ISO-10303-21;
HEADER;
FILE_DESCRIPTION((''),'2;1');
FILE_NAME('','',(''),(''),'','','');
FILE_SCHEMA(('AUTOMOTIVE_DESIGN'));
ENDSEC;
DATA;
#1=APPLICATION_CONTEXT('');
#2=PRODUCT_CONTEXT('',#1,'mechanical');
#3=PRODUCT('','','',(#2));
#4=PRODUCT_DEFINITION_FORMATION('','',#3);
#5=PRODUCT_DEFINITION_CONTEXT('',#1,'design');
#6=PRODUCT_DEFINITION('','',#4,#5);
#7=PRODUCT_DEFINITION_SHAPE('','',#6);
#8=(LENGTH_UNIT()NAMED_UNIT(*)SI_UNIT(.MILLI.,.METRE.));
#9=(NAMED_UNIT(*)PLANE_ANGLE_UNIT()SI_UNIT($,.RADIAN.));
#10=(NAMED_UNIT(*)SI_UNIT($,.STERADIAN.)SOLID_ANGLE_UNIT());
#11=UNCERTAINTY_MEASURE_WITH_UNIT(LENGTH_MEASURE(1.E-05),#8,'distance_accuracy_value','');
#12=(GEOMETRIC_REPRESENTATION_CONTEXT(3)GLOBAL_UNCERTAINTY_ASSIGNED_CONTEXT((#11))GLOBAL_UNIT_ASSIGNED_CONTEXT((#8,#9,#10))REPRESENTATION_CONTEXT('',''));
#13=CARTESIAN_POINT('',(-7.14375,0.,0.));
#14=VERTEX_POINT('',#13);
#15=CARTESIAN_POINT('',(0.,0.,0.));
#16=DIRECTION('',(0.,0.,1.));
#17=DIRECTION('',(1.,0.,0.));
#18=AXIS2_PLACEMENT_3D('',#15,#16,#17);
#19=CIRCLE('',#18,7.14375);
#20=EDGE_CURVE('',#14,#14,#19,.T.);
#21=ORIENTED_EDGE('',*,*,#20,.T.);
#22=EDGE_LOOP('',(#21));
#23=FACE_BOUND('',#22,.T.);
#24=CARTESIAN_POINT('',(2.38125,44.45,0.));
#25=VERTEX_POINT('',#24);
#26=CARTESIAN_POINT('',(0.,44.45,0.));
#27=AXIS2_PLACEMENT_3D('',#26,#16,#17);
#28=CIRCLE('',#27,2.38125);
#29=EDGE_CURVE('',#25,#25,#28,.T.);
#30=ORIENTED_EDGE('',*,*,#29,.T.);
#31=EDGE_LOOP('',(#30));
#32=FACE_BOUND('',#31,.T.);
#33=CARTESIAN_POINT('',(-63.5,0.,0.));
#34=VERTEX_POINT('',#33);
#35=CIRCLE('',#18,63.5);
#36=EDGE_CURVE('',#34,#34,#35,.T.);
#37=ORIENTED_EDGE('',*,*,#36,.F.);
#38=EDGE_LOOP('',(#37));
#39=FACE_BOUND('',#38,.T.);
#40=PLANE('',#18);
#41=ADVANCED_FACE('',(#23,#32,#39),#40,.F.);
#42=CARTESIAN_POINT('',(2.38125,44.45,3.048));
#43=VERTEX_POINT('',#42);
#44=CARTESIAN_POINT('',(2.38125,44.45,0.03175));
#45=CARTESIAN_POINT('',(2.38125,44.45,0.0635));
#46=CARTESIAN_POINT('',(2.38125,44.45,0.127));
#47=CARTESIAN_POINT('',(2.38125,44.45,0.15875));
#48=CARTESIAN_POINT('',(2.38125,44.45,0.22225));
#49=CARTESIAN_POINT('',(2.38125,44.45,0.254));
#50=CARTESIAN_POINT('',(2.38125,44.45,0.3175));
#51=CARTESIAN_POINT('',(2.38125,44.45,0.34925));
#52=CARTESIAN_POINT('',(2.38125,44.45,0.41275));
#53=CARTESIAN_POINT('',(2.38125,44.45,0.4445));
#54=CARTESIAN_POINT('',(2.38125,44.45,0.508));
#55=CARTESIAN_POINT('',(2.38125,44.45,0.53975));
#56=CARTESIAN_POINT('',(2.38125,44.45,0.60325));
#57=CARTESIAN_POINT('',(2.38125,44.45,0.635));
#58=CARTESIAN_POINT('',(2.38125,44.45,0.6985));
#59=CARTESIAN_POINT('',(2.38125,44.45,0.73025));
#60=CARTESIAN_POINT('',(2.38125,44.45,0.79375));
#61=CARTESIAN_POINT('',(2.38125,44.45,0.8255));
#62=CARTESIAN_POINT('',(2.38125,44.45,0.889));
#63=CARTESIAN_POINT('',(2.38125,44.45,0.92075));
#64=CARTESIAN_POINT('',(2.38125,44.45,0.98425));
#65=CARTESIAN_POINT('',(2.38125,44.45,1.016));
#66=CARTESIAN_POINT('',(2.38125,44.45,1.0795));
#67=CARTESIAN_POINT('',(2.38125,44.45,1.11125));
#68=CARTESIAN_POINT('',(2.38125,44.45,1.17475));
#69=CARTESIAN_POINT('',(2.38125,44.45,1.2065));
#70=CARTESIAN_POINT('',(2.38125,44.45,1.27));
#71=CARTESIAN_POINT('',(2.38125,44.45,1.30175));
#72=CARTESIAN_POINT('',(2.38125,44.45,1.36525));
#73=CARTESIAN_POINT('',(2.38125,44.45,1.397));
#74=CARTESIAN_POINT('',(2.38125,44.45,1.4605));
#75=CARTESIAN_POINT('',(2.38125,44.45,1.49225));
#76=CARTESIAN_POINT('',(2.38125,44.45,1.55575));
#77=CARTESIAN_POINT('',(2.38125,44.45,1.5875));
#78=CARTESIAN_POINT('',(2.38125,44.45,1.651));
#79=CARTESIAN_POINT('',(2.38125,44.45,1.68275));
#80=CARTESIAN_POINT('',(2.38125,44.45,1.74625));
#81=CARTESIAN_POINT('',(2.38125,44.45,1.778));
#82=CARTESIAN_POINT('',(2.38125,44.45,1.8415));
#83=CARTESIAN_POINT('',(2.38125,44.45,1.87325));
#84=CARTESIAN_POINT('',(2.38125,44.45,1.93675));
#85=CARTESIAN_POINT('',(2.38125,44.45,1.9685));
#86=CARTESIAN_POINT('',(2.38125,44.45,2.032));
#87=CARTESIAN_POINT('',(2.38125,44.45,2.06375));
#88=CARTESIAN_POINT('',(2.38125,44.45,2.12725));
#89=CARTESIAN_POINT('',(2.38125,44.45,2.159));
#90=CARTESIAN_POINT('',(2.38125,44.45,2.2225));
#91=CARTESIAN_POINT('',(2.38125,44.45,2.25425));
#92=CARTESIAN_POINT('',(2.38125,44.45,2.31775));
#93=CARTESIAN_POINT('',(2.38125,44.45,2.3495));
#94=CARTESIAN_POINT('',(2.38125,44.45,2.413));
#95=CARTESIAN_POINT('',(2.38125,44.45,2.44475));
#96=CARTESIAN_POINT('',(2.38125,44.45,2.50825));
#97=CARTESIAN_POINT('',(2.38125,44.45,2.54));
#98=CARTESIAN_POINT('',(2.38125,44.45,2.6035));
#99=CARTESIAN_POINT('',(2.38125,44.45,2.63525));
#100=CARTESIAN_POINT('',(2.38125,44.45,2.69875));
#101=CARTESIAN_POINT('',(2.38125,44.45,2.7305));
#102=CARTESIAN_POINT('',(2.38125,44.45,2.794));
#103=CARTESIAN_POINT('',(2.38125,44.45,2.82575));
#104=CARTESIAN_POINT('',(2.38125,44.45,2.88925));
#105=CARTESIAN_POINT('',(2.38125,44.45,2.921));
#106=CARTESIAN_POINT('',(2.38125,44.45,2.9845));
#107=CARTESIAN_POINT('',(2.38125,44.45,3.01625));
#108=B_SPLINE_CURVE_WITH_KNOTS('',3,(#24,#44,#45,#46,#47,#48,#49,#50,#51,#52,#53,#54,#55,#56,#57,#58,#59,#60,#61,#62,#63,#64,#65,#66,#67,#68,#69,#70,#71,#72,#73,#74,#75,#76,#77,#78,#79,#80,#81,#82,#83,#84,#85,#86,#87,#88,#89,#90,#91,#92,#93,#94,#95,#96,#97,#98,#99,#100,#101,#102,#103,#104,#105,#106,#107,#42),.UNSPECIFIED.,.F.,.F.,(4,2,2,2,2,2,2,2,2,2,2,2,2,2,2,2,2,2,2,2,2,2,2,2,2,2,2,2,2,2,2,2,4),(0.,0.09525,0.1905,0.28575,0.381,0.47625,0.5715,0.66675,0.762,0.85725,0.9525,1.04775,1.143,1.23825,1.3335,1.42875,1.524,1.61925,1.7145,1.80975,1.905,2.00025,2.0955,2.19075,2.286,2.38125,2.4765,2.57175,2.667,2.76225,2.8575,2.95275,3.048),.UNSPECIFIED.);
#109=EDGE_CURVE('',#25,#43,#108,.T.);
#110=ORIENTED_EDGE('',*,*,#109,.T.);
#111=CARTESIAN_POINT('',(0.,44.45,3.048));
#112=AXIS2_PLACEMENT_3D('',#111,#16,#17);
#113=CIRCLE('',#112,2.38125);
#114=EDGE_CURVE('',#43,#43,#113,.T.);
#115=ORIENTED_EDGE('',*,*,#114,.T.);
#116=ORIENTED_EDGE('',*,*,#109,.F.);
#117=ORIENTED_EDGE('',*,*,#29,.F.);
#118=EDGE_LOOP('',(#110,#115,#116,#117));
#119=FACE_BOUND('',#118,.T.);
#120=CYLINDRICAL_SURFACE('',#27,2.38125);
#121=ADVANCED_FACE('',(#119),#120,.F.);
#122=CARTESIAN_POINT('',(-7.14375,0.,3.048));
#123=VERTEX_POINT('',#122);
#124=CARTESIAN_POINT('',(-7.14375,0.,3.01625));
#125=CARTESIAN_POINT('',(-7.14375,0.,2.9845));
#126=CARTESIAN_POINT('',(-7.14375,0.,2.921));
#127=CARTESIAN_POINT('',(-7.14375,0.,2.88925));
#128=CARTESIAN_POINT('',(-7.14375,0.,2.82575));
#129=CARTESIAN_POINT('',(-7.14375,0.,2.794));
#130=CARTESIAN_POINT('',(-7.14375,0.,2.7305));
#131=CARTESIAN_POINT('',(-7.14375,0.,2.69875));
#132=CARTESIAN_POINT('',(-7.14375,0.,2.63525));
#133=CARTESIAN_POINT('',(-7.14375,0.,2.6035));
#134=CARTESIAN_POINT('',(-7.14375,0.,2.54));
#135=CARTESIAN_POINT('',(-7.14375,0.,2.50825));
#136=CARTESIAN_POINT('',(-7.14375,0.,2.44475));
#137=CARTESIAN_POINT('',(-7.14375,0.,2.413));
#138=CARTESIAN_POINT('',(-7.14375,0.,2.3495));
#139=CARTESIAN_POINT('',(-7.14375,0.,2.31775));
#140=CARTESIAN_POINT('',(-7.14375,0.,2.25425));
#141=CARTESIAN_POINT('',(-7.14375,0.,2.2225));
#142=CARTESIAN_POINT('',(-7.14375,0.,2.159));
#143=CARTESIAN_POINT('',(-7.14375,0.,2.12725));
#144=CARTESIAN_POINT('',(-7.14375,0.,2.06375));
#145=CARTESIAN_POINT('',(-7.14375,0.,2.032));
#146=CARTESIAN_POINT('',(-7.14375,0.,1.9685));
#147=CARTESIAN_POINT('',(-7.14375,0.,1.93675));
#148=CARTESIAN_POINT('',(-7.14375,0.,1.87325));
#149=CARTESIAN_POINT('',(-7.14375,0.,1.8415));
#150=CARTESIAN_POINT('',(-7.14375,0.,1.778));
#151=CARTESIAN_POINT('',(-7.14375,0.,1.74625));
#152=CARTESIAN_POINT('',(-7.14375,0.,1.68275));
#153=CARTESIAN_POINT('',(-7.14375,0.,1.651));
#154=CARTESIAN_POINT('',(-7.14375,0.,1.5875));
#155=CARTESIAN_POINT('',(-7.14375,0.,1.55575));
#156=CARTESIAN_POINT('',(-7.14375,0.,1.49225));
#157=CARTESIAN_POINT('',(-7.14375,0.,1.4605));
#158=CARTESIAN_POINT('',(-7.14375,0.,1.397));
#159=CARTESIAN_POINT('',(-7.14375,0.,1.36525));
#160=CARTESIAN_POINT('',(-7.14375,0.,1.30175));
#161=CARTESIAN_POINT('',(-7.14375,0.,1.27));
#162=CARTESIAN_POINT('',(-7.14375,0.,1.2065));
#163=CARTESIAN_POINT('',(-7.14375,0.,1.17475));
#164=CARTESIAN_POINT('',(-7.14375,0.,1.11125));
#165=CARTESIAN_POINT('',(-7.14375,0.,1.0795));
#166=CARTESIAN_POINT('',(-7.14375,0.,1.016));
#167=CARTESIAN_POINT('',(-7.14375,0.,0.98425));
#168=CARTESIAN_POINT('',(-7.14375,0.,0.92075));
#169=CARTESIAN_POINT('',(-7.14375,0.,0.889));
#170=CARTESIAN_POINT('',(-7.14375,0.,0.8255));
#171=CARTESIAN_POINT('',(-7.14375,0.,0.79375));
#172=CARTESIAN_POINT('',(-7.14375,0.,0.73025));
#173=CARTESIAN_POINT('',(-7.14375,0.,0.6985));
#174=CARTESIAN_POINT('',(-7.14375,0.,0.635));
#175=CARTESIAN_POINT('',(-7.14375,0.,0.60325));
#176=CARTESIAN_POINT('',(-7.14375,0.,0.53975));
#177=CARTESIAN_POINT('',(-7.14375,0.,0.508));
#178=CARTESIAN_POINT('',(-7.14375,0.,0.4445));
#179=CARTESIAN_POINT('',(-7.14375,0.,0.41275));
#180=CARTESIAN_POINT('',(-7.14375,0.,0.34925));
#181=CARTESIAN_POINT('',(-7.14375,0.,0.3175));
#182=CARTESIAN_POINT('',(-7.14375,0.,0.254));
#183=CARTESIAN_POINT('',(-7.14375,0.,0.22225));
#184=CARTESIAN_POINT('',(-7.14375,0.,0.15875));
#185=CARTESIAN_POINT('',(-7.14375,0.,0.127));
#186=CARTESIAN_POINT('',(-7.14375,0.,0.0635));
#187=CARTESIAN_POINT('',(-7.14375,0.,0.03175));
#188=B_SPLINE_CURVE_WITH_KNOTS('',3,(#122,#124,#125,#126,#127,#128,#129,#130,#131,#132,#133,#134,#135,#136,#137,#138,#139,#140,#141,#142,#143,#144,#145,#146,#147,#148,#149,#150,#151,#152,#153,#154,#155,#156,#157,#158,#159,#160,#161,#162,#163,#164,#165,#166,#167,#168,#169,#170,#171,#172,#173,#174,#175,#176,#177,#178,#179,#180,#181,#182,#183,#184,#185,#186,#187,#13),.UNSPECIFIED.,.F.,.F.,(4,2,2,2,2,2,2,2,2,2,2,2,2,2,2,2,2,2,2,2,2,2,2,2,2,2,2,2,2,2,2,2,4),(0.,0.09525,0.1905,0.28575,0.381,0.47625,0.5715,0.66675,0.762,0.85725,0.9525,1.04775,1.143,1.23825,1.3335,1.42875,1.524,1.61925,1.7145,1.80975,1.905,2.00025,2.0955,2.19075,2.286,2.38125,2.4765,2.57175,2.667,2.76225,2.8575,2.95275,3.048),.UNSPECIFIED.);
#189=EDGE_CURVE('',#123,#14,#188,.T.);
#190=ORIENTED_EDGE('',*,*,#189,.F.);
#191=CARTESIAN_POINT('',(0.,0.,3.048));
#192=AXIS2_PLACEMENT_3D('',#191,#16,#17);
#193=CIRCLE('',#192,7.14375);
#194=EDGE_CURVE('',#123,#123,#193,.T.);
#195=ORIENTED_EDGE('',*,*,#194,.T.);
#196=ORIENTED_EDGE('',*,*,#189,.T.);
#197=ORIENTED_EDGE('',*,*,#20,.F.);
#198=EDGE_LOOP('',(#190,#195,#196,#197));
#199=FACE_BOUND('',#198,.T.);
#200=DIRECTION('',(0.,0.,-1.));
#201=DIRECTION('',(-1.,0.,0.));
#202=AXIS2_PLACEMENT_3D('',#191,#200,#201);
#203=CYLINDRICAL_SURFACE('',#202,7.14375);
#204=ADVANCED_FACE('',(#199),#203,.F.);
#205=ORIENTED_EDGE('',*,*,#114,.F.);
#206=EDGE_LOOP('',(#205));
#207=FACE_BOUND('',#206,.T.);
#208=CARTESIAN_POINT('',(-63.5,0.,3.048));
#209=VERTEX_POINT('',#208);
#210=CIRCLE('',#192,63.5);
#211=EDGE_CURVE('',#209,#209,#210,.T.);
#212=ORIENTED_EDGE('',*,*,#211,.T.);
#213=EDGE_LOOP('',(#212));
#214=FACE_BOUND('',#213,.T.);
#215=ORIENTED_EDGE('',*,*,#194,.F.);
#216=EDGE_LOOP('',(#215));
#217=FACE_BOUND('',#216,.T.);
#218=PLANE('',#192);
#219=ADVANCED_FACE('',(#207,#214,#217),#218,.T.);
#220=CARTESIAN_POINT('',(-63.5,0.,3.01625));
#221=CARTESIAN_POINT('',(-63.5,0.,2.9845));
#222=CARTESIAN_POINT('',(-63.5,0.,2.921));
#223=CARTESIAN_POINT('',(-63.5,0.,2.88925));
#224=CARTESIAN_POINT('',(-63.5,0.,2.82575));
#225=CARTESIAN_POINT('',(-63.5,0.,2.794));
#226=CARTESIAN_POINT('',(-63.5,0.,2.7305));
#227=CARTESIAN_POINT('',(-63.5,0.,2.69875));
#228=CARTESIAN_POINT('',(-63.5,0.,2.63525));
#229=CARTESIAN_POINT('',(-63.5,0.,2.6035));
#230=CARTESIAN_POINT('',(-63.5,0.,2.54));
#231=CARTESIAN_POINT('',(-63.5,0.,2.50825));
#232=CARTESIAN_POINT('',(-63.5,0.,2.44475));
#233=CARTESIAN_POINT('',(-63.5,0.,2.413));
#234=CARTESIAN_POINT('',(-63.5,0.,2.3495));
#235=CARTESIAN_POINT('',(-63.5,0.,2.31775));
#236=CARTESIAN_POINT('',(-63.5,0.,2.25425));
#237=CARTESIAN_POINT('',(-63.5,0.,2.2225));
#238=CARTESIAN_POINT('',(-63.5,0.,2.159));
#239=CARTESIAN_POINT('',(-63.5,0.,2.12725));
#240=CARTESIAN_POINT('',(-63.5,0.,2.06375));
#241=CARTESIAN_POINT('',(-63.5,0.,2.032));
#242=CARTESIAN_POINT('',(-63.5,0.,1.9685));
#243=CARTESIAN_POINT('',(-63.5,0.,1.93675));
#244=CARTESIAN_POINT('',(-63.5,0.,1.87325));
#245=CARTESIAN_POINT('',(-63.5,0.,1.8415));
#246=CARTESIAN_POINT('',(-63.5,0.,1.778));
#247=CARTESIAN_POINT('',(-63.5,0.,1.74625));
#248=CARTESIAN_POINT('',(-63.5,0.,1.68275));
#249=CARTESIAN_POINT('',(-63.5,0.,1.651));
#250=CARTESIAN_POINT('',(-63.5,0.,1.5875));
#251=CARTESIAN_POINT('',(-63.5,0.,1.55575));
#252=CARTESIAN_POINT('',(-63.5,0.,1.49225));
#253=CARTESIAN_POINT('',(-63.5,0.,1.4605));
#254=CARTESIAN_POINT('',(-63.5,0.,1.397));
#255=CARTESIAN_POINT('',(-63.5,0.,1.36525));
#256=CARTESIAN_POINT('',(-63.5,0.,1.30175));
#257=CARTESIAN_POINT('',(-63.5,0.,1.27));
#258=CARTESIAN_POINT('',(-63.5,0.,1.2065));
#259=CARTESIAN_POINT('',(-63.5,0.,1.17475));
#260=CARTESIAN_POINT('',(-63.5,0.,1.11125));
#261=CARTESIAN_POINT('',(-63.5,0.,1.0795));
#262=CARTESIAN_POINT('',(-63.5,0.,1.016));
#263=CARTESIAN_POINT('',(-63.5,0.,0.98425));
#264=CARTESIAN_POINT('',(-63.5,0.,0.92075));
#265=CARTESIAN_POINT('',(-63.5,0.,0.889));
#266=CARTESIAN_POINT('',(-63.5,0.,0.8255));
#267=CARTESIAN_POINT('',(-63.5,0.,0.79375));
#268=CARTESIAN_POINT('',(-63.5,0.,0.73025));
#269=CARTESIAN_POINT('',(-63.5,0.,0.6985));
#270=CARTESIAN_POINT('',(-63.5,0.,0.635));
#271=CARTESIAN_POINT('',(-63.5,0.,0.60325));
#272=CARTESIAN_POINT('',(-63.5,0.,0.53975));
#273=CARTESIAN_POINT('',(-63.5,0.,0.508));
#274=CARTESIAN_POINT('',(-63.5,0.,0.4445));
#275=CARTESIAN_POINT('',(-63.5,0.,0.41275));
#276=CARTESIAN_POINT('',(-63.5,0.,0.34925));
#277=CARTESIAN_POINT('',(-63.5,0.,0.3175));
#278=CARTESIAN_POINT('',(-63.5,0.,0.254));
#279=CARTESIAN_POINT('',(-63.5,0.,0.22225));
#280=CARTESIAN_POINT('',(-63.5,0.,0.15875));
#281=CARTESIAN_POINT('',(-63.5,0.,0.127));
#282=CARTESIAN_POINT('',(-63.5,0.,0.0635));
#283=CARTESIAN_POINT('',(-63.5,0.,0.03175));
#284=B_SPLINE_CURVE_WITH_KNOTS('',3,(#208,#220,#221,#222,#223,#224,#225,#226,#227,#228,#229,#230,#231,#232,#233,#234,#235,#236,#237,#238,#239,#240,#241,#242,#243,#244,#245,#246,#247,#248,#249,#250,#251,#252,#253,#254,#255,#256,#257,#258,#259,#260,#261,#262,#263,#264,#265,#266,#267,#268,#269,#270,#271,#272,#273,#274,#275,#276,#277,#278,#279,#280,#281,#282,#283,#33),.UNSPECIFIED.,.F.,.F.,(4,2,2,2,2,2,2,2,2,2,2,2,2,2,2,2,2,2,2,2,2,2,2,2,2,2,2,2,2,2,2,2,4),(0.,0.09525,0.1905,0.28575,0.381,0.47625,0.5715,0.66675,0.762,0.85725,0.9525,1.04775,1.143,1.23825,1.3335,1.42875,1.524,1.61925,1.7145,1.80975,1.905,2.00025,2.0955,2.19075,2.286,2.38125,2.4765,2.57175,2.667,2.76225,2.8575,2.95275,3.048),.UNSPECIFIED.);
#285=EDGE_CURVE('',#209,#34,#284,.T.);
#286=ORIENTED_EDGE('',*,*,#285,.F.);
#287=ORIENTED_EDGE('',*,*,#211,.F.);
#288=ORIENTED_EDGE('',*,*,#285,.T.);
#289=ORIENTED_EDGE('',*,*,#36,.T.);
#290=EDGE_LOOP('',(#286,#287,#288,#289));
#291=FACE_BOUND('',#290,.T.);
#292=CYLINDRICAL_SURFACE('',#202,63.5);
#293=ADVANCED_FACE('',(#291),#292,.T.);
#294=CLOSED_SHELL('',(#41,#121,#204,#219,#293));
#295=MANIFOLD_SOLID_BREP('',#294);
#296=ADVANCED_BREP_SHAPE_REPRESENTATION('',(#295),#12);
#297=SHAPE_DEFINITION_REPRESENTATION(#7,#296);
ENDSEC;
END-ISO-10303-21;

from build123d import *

# Parameters (mm, degrees)
SKETCH1_R           = 63.5
SKETCH1_R_2         = 7.14375
BOSS_EXTRUDE1_DEPTH = 3.048
SKETCH2_R           = 2.38125
CUT_EXTRUDE1_DEPTH  = 90.854272597


with BuildPart() as part:
    # Sketch1 → Boss-Extrude1 (new body)
    with BuildSketch(Plane.XY):
        with Locations(Location((0, 0, 0), (0, 0, 180))):
            Circle(SKETCH1_R)
        with Locations(Location((0, 0, 0), (0, 0, 180))):
            Circle(SKETCH1_R_2, mode=Mode.SUBTRACT)
    extrude(amount=BOSS_EXTRUDE1_DEPTH)

    # Sketch2 → Cut-Extrude1 (cut, through all)
    with BuildSketch(Plane.XY.offset(3.048)):
        with Locations((0, 44.45)):
            Circle(SKETCH2_R)
    extrude(amount=-CUT_EXTRUDE1_DEPTH, mode=Mode.SUBTRACT)


solid = part.part
